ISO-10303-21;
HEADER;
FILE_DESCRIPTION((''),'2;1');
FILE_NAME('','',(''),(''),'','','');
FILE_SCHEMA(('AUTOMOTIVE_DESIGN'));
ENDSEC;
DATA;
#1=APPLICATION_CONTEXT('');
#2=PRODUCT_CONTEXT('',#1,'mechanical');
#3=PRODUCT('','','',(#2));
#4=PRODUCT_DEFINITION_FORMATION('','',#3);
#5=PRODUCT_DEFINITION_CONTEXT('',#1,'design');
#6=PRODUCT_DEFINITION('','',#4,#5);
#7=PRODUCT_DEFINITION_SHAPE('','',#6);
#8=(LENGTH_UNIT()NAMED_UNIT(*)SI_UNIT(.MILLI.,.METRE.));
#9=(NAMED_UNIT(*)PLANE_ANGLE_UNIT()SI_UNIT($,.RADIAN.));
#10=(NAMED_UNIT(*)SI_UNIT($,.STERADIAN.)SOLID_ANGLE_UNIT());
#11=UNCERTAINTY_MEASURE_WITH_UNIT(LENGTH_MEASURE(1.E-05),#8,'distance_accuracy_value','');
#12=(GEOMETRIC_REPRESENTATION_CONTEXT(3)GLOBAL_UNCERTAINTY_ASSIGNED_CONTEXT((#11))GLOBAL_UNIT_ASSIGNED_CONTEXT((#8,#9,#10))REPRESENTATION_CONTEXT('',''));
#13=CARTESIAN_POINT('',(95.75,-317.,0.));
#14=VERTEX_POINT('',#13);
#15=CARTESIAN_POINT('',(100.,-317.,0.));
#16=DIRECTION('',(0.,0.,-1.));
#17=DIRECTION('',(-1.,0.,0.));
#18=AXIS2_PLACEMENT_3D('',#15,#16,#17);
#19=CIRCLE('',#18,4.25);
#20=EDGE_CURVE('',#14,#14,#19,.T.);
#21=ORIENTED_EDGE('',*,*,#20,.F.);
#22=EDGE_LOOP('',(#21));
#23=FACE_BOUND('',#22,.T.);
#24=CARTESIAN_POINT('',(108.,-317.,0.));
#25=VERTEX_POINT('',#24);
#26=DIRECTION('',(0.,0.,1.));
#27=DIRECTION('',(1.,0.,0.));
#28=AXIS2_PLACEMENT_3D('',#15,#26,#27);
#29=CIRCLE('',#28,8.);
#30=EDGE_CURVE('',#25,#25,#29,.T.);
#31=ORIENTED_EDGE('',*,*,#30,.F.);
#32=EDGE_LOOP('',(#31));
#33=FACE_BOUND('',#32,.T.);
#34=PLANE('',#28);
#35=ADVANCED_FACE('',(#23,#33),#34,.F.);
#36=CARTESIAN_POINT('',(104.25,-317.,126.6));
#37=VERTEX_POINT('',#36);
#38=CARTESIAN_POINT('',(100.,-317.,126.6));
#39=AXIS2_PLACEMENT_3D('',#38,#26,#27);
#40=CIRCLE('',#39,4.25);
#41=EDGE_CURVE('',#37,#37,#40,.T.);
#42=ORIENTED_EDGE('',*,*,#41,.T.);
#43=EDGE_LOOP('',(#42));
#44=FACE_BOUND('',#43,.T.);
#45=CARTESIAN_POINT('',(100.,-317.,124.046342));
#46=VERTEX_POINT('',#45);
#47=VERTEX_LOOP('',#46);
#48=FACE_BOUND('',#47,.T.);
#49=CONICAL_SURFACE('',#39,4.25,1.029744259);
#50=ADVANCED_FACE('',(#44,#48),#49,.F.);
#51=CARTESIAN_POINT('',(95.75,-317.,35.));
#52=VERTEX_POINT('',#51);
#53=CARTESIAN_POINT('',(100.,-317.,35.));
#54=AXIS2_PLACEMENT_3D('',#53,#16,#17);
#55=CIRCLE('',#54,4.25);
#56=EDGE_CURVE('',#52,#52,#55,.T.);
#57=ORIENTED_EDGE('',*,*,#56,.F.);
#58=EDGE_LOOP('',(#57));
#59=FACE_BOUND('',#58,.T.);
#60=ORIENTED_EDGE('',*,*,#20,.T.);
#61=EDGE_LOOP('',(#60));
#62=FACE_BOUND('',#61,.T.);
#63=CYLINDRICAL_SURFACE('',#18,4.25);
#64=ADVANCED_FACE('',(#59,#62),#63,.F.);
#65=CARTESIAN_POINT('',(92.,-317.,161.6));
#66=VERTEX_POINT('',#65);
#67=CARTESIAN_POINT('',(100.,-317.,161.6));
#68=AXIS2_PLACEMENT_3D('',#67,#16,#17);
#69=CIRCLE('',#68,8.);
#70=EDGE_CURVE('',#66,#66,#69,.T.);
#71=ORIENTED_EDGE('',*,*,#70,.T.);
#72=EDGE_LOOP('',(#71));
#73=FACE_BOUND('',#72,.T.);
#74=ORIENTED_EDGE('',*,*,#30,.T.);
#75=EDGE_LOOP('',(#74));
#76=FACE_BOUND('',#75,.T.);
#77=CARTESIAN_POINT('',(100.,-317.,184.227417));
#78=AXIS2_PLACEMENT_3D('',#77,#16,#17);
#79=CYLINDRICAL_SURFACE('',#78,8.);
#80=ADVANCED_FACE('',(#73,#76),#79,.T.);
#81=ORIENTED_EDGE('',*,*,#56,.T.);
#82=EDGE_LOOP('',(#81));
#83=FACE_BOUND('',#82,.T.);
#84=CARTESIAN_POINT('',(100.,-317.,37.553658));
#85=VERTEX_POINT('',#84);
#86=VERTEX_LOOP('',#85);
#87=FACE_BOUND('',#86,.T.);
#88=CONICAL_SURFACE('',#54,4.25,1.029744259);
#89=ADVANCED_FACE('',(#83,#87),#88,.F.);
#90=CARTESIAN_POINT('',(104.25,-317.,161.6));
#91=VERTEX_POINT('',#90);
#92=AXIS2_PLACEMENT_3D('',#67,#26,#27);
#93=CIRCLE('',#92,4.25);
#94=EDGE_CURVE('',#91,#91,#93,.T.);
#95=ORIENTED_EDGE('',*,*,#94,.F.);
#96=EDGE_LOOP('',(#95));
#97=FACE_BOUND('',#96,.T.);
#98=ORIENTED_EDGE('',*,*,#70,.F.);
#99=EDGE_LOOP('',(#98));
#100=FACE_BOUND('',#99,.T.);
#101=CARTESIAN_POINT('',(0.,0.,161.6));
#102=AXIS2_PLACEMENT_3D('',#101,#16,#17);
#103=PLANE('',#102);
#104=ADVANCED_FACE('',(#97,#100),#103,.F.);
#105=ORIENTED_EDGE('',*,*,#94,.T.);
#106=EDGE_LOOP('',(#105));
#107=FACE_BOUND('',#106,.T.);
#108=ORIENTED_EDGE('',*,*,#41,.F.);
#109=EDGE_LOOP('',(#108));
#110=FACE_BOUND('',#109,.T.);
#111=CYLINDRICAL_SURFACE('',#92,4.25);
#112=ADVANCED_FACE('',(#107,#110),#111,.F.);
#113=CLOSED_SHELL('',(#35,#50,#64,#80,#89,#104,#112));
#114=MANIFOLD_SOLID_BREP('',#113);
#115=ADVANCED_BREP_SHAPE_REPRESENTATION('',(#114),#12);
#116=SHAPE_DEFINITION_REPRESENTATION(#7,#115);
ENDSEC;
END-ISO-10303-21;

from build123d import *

# Parameters (mm, degrees)
SKETCH_1_R             = 8
EXTRUDE_1_DEPTH        = 161.6
HOLE_WIZARD_M103_D     = 8.5
HOLE_WIZARD_M103_DEPTH = 35
HOLE_WIZARD_M103_TIP   = 2.553657631
HOLE_WIZARD_M104_D     = 8.5
HOLE_WIZARD_M104_DEPTH = 35
HOLE_WIZARD_M104_TIP   = 2.553657631


with BuildPart() as part:
    # Эскиз1 → Бобышка-Вытянуть1 (new body)
    with BuildSketch(Plane.XY):
        with Locations((100, -317)):
            Circle(SKETCH_1_R)
    extrude(amount=EXTRUDE_1_DEPTH)

    # Отверстие обработанное метчиком M103
    with Locations(Plane.XY.offset(161.6)):
        with Locations((100, -317)):
            Hole(HOLE_WIZARD_M103_D / 2, depth=HOLE_WIZARD_M103_DEPTH)
            with Locations((0, 0, -(HOLE_WIZARD_M103_DEPTH + HOLE_WIZARD_M103_TIP / 2))):  # 118° drill point
                Cone(0, HOLE_WIZARD_M103_D / 2, HOLE_WIZARD_M103_TIP, mode=Mode.SUBTRACT)

    # Отверстие обработанное метчиком M104
    with Locations(Plane(origin=(0, 0, 0), x_dir=(-1, 0, 0), z_dir=(0, 0, -1))):
        with Locations((-100, -317)):
            Hole(HOLE_WIZARD_M104_D / 2, depth=HOLE_WIZARD_M104_DEPTH)
            with Locations((0, 0, -(HOLE_WIZARD_M104_DEPTH + HOLE_WIZARD_M104_TIP / 2))):  # 118° drill point
                Cone(0, HOLE_WIZARD_M104_D / 2, HOLE_WIZARD_M104_TIP, mode=Mode.SUBTRACT)


solid = part.part
